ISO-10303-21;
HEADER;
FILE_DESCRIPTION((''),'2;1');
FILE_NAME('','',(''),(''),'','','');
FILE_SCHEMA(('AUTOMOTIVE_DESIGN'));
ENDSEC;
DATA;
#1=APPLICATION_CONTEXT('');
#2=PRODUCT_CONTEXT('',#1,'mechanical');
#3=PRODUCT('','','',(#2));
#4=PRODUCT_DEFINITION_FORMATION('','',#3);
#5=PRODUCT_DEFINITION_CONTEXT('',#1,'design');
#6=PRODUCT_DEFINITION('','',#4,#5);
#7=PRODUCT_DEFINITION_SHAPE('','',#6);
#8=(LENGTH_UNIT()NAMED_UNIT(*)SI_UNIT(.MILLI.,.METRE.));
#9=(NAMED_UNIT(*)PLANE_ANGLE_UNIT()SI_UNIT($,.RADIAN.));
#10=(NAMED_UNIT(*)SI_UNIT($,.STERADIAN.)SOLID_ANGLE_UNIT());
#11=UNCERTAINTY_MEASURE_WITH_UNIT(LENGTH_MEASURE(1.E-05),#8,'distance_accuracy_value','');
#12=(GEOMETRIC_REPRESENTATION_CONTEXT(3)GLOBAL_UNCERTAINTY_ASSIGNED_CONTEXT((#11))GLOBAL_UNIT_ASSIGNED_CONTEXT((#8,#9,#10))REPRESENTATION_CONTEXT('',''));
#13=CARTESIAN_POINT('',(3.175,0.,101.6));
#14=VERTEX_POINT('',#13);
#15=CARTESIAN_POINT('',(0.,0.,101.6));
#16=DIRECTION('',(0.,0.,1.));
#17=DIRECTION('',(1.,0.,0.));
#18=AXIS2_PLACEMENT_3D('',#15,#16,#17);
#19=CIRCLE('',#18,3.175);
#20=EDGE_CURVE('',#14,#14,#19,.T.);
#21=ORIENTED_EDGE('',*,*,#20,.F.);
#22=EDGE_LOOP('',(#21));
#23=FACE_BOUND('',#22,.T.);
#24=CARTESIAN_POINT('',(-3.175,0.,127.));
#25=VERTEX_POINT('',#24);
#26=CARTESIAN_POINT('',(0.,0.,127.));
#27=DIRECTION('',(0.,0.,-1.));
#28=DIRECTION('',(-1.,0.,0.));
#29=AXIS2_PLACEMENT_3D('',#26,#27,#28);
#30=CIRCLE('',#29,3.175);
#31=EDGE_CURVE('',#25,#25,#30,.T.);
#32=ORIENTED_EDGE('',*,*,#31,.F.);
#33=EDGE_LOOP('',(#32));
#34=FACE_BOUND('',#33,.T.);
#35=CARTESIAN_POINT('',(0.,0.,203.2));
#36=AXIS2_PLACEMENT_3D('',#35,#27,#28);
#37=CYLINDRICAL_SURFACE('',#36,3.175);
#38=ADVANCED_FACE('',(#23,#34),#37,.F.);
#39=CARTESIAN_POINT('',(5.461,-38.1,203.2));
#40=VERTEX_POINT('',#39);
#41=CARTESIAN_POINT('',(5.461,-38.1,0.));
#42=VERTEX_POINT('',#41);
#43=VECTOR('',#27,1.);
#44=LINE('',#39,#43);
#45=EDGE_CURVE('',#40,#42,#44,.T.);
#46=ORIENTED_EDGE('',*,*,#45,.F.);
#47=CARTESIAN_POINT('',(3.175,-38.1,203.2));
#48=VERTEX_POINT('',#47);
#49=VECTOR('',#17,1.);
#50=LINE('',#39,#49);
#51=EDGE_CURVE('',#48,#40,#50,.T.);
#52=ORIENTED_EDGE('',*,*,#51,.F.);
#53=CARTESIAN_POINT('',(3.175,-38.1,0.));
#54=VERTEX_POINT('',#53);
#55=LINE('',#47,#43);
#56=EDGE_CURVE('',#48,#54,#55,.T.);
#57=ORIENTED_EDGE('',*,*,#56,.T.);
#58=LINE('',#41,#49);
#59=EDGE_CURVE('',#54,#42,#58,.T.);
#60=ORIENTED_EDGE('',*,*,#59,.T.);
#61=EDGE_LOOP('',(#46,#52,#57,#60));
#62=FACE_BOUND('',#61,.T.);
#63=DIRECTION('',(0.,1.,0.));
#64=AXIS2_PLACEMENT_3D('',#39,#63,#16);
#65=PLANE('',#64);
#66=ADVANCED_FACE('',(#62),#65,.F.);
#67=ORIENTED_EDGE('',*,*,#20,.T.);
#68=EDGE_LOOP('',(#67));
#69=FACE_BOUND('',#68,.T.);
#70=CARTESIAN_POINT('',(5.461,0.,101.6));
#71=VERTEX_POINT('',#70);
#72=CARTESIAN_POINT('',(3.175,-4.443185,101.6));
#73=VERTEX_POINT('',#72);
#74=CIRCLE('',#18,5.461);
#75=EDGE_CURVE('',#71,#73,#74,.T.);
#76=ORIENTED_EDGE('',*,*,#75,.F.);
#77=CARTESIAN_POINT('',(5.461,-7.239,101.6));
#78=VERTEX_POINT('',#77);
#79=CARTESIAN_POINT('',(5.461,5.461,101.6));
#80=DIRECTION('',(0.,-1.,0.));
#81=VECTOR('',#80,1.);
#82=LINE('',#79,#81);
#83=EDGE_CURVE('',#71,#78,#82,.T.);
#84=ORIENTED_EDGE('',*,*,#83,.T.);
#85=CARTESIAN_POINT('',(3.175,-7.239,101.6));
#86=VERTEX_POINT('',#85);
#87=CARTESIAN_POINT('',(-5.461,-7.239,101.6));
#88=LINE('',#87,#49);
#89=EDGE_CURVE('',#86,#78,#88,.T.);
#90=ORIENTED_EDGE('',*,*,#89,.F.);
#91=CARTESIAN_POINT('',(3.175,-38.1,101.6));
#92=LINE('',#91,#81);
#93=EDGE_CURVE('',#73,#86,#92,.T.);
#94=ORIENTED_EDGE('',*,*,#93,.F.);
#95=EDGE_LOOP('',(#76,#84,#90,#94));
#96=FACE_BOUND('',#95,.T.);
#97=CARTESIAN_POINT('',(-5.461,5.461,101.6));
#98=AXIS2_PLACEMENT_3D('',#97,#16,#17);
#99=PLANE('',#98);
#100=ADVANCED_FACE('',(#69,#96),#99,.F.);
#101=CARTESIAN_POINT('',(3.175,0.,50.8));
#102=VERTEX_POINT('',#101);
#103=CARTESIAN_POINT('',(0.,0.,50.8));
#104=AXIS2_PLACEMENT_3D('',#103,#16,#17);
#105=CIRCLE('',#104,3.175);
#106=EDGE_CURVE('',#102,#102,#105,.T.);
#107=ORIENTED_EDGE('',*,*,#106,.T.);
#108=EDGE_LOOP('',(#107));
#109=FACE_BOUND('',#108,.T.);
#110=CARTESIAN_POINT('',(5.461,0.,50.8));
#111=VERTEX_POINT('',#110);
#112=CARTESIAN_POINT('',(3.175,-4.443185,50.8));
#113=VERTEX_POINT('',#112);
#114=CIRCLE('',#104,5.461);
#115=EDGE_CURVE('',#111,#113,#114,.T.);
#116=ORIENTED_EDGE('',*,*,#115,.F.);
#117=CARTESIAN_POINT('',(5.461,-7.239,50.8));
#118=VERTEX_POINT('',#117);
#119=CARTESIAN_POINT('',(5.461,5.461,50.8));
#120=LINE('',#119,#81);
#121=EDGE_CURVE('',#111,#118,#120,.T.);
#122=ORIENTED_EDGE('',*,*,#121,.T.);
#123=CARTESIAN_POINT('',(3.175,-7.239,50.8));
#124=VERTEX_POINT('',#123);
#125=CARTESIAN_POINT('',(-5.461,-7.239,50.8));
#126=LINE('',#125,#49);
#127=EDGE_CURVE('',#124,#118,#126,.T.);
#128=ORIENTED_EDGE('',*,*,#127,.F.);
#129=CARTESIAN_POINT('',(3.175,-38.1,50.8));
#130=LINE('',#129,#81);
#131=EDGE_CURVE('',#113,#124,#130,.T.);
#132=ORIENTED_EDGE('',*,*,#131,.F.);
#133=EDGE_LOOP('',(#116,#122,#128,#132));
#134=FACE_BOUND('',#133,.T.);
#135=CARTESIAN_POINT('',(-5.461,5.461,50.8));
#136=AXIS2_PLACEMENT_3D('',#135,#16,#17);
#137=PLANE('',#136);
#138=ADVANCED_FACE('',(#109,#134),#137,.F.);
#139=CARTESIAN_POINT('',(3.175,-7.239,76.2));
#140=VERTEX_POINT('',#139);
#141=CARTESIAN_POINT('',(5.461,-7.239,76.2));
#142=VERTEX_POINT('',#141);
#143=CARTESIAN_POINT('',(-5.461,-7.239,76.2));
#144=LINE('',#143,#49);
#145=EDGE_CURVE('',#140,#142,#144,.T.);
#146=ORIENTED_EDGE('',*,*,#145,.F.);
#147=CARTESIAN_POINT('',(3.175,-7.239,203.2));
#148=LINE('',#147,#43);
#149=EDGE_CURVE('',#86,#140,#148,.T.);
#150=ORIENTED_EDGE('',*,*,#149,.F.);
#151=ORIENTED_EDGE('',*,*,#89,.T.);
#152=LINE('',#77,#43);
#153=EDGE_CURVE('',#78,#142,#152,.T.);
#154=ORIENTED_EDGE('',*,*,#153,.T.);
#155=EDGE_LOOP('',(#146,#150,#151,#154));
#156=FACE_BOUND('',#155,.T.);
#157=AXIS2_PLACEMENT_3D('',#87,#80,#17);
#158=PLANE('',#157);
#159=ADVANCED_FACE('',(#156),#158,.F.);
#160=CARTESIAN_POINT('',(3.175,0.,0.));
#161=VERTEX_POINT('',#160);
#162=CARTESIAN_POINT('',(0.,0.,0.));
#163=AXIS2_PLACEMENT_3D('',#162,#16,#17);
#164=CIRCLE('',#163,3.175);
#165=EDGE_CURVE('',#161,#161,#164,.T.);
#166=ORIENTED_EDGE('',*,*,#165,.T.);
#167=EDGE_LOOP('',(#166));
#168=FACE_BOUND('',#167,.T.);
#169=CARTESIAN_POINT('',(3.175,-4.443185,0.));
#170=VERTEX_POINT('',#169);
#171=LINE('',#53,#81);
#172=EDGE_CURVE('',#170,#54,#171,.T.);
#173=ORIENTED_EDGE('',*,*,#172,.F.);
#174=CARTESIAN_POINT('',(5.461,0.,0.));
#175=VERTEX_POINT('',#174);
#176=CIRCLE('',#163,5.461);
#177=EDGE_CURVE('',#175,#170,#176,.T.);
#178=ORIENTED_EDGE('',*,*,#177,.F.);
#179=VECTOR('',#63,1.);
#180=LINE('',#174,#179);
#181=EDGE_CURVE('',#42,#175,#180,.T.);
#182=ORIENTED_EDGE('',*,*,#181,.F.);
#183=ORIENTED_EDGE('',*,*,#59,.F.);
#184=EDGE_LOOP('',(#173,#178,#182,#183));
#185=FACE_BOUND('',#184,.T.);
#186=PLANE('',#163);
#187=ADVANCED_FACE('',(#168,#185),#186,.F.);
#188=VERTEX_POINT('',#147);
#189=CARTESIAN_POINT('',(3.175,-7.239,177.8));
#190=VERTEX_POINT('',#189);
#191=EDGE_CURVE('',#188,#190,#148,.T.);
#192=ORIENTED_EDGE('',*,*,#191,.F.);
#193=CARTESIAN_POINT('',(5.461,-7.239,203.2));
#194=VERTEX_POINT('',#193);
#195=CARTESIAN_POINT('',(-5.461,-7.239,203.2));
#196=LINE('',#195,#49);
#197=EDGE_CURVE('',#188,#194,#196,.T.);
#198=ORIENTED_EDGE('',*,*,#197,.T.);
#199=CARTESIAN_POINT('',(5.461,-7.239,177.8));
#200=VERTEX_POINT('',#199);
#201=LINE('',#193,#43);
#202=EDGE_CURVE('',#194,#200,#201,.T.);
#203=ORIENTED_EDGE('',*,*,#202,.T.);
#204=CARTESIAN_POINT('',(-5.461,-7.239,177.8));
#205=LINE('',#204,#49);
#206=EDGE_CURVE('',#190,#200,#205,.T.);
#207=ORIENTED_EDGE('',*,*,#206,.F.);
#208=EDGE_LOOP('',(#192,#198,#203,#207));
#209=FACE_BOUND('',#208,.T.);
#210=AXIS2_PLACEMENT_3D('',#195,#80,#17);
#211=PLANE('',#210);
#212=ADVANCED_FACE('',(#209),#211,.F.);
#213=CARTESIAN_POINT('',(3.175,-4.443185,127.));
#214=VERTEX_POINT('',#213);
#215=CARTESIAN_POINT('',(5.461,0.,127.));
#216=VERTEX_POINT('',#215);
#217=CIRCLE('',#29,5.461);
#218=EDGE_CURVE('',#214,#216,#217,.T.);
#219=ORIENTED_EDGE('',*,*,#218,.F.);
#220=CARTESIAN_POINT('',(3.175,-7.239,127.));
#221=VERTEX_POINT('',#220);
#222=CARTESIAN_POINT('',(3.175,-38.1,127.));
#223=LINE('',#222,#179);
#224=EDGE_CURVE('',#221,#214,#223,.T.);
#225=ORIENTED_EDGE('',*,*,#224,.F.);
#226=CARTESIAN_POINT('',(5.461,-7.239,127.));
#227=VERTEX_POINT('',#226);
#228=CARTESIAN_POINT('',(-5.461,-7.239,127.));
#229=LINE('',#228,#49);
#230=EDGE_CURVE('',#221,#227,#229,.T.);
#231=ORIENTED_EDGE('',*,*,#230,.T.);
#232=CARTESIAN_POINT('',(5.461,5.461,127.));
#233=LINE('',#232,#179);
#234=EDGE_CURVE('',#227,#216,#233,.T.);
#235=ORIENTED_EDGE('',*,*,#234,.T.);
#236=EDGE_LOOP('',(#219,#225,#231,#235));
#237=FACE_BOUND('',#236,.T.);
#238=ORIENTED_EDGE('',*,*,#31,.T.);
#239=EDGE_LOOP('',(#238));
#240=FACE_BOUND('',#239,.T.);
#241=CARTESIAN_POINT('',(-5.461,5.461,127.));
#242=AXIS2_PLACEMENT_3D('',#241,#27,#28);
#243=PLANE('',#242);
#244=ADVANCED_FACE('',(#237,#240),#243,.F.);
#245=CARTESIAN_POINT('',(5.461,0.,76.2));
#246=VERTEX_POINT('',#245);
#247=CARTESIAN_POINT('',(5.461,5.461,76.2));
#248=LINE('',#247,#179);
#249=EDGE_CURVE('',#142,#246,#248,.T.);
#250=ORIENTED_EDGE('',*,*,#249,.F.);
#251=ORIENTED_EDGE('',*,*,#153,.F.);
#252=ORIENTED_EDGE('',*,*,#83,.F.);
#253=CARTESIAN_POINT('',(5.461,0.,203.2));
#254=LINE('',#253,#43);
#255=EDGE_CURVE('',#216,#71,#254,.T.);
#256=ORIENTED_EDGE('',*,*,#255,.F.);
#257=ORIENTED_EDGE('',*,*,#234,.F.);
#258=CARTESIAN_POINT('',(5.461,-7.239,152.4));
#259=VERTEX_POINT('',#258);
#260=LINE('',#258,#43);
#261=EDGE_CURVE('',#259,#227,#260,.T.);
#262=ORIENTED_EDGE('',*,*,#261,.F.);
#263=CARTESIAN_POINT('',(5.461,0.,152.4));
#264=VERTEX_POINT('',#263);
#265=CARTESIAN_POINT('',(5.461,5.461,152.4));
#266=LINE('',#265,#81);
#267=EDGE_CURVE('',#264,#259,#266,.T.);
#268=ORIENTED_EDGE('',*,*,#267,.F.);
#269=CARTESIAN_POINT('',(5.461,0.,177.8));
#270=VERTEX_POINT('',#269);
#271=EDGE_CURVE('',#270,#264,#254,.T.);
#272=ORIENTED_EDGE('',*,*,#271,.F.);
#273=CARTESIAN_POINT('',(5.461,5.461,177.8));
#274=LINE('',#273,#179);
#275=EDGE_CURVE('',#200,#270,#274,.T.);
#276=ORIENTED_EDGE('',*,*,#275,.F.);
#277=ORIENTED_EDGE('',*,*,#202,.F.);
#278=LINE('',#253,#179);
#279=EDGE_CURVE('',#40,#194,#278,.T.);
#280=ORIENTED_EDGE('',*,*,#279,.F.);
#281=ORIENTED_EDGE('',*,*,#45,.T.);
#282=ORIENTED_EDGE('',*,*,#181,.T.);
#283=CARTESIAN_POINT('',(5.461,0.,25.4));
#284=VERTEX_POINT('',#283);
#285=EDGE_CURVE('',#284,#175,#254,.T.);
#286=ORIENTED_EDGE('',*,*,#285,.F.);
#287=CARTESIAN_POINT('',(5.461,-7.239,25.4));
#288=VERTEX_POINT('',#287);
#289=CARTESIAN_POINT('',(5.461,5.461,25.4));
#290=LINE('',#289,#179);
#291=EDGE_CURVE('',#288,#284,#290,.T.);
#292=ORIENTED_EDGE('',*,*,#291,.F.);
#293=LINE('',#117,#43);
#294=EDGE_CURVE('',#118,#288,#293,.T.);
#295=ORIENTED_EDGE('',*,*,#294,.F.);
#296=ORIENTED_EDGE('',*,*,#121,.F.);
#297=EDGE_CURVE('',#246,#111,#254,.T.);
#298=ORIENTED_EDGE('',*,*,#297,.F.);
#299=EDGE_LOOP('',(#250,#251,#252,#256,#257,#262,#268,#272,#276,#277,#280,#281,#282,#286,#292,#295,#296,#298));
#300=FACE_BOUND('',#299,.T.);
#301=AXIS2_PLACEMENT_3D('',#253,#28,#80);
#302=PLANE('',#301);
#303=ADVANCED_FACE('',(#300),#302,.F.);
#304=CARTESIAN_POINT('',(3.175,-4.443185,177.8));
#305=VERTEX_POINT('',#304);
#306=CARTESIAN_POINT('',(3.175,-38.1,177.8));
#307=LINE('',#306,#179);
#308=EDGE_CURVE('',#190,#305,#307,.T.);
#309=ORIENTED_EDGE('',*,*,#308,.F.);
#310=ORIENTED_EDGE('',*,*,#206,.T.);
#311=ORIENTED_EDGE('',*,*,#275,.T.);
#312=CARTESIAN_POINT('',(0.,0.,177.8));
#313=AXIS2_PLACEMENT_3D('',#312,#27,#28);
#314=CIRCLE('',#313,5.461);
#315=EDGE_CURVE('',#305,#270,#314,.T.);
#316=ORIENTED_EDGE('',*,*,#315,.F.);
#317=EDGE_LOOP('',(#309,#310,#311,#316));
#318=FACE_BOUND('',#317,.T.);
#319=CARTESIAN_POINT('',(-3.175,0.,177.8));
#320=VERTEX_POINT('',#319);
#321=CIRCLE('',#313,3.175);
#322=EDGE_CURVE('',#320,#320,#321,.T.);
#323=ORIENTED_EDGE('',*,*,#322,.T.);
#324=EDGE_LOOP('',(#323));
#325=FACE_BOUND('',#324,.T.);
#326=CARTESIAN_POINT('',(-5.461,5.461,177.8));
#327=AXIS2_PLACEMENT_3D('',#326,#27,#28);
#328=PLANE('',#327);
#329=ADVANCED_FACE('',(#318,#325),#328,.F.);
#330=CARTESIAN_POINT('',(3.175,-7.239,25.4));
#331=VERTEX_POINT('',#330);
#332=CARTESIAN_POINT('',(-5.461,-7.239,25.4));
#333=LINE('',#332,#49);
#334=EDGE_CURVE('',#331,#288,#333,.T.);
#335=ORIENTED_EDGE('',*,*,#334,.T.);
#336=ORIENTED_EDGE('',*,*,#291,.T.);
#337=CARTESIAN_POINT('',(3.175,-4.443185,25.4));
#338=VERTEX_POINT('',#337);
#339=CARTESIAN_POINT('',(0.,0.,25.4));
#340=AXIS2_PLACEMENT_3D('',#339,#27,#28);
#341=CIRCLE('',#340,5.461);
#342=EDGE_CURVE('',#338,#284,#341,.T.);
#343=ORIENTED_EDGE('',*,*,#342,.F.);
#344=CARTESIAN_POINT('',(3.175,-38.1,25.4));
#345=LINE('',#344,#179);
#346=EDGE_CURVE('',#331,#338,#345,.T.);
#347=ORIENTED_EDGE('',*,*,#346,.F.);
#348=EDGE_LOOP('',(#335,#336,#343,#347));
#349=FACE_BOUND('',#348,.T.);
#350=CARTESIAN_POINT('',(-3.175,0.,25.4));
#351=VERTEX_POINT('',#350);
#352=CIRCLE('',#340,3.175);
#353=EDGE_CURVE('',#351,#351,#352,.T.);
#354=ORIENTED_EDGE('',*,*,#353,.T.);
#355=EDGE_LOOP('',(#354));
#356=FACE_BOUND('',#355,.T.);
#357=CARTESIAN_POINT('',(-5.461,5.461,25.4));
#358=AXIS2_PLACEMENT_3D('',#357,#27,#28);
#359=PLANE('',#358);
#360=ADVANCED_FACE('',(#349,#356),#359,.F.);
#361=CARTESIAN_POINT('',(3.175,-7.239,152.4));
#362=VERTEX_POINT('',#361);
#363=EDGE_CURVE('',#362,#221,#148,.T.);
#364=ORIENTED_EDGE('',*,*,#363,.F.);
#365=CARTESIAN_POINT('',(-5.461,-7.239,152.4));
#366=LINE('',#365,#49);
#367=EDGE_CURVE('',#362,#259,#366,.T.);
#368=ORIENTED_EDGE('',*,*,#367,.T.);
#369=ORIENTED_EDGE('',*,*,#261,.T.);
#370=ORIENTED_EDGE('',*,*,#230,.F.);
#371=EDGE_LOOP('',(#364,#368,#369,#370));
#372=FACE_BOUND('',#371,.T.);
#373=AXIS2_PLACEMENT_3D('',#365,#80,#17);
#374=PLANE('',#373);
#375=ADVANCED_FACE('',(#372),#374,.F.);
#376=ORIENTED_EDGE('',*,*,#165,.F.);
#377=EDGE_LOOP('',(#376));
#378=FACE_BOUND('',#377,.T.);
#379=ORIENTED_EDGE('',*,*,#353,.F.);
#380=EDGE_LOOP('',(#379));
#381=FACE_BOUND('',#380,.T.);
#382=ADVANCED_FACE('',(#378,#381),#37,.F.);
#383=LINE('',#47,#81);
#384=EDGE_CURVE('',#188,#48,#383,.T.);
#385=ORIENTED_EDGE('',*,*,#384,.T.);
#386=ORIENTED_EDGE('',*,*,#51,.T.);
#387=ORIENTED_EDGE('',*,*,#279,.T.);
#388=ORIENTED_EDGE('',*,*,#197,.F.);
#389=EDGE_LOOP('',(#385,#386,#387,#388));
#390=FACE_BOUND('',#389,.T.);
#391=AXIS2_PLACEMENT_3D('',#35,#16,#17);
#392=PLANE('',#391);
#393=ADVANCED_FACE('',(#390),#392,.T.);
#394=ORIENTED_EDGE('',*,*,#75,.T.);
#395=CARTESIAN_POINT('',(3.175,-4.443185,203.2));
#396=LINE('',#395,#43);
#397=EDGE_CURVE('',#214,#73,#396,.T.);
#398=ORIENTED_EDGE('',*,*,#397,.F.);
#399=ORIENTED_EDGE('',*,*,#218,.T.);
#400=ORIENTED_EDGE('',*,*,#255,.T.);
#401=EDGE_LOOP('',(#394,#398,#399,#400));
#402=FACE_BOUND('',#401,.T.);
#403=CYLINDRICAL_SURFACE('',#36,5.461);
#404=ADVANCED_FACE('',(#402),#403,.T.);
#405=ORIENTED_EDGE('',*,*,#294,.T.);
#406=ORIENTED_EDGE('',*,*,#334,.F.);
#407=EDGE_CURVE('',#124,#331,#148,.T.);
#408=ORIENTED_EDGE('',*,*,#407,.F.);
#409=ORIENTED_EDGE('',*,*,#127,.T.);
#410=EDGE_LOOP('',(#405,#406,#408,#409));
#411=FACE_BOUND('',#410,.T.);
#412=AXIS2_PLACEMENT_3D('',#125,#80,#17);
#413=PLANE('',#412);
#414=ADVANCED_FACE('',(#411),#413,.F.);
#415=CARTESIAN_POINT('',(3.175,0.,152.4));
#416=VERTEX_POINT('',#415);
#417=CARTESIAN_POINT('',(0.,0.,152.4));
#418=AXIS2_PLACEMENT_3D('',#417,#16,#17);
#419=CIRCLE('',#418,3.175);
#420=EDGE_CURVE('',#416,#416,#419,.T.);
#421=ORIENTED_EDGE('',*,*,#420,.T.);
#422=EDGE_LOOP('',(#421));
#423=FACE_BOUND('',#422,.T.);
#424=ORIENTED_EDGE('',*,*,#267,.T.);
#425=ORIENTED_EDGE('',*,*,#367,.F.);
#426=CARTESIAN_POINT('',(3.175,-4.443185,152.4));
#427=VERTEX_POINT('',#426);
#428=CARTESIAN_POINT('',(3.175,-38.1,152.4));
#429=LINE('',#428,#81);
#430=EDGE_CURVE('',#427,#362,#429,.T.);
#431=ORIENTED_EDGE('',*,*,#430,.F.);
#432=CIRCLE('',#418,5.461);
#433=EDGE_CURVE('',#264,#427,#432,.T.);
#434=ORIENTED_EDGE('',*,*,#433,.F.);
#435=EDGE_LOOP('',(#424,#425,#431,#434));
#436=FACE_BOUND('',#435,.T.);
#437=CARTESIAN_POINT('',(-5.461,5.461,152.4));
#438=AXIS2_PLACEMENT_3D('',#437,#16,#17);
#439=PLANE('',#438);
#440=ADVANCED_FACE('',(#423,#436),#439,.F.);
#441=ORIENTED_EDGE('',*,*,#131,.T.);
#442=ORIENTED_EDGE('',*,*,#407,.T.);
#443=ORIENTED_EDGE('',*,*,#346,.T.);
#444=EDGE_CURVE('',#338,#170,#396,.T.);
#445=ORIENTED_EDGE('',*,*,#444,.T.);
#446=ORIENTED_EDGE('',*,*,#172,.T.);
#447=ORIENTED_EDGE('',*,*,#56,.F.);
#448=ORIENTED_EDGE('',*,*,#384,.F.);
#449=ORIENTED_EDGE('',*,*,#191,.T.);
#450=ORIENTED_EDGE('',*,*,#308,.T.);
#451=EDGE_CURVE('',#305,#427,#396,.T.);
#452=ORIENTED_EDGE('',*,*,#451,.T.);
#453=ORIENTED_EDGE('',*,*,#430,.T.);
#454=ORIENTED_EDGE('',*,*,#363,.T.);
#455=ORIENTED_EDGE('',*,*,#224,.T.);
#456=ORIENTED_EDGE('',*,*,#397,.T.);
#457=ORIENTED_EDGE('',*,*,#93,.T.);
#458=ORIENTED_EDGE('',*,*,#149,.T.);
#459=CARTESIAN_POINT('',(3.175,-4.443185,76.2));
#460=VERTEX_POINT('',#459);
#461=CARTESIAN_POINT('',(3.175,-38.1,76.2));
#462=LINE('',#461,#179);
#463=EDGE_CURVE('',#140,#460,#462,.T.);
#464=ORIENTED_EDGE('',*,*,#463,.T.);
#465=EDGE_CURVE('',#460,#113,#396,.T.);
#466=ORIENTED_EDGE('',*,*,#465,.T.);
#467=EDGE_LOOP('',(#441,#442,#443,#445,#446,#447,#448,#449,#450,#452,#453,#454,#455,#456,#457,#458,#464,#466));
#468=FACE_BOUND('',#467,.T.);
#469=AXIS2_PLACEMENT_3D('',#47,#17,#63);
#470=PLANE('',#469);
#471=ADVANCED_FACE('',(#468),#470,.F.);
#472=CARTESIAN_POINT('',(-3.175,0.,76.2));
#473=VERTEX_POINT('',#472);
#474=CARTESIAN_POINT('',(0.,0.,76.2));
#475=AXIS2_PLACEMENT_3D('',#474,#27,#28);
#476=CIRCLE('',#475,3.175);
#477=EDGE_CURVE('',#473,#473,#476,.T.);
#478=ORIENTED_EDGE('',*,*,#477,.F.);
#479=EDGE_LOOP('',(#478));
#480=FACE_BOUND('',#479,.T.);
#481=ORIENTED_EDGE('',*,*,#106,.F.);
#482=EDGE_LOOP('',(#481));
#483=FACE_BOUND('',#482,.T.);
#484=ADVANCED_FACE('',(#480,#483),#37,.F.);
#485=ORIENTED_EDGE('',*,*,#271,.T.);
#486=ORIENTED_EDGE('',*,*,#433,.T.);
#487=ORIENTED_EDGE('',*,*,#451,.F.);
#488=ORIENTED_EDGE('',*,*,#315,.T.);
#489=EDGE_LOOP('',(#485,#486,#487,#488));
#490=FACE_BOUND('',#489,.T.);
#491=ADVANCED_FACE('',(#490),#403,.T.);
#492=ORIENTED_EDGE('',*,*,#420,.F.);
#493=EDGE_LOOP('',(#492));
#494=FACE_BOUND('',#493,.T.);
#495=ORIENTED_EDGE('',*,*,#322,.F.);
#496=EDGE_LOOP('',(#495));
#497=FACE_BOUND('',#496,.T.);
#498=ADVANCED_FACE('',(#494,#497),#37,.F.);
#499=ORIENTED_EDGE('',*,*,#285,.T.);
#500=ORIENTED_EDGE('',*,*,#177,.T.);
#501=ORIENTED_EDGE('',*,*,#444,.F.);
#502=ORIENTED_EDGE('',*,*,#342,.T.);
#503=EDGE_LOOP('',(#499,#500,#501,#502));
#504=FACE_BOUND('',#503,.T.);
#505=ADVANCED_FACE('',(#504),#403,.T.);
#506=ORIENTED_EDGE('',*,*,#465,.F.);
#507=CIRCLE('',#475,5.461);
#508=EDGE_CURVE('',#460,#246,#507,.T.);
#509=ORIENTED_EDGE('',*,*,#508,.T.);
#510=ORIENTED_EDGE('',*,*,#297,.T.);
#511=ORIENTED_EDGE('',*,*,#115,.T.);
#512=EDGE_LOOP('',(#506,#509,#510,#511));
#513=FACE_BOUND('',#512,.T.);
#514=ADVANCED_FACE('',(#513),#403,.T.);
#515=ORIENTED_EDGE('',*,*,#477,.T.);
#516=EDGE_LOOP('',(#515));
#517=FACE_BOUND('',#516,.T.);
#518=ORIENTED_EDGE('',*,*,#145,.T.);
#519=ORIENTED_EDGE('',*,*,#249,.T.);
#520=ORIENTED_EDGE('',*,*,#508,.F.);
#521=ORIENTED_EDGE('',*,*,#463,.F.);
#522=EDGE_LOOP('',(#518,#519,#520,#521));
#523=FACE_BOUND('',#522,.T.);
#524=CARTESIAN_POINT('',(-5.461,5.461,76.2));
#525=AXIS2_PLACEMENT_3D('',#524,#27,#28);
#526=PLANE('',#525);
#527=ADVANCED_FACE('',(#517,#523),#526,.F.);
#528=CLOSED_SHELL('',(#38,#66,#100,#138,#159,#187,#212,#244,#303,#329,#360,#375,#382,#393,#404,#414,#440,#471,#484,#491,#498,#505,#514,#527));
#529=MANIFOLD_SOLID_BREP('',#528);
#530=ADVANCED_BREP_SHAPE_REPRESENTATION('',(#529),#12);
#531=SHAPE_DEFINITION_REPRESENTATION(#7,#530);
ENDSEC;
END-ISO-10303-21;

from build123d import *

# Parameters (mm, degrees)
SKETCH1_R           = 3.175
BOSS_EXTRUDE1_DEPTH = 203.2
SKETCH2_W           = 25.4
SKETCH2_H           = 12.7
CUT_EXTRUDE1_DEPTH  = 11.922
LPATTERN1_COUNT     = 4
LPATTERN1_PITCH     = 50.8


with BuildPart() as part:
    # Sketch1 → Boss-Extrude1 (new body)
    with BuildSketch(Plane.XY):
        with BuildLine():
            Line((5.461, 0), (5.461, -38.1))
            Line((5.461, -38.1), (3.175, -38.1))
            Line((3.175, -38.1), (3.175, -4.443185344))
            ThreePointArc((3.175, -4.443185344), (-4.855985791, 2.498384078), (5.461, 0))
        make_face()
        Circle(SKETCH1_R, mode=Mode.SUBTRACT)
    extrude(amount=BOSS_EXTRUDE1_DEPTH)

    # Sketch2 → Cut-Extrude1 (cut, through all)
    with BuildSketch(Plane(origin=(5.461, 0, 0), x_dir=(0, 0, -1), z_dir=(1, 0, 0))):
        with Locations((-190.5, -0.889)):
            Rectangle(SKETCH2_W, SKETCH2_H)
    cut_extrude1 = extrude(amount=-CUT_EXTRUDE1_DEPTH, mode=Mode.SUBTRACT)

    # LPattern1: Cut-Extrude1 ×4
    with Locations(*[(0, 0, -i * LPATTERN1_PITCH) for i in range(1, LPATTERN1_COUNT)]):
        add(cut_extrude1, mode=Mode.SUBTRACT)


solid = part.part
